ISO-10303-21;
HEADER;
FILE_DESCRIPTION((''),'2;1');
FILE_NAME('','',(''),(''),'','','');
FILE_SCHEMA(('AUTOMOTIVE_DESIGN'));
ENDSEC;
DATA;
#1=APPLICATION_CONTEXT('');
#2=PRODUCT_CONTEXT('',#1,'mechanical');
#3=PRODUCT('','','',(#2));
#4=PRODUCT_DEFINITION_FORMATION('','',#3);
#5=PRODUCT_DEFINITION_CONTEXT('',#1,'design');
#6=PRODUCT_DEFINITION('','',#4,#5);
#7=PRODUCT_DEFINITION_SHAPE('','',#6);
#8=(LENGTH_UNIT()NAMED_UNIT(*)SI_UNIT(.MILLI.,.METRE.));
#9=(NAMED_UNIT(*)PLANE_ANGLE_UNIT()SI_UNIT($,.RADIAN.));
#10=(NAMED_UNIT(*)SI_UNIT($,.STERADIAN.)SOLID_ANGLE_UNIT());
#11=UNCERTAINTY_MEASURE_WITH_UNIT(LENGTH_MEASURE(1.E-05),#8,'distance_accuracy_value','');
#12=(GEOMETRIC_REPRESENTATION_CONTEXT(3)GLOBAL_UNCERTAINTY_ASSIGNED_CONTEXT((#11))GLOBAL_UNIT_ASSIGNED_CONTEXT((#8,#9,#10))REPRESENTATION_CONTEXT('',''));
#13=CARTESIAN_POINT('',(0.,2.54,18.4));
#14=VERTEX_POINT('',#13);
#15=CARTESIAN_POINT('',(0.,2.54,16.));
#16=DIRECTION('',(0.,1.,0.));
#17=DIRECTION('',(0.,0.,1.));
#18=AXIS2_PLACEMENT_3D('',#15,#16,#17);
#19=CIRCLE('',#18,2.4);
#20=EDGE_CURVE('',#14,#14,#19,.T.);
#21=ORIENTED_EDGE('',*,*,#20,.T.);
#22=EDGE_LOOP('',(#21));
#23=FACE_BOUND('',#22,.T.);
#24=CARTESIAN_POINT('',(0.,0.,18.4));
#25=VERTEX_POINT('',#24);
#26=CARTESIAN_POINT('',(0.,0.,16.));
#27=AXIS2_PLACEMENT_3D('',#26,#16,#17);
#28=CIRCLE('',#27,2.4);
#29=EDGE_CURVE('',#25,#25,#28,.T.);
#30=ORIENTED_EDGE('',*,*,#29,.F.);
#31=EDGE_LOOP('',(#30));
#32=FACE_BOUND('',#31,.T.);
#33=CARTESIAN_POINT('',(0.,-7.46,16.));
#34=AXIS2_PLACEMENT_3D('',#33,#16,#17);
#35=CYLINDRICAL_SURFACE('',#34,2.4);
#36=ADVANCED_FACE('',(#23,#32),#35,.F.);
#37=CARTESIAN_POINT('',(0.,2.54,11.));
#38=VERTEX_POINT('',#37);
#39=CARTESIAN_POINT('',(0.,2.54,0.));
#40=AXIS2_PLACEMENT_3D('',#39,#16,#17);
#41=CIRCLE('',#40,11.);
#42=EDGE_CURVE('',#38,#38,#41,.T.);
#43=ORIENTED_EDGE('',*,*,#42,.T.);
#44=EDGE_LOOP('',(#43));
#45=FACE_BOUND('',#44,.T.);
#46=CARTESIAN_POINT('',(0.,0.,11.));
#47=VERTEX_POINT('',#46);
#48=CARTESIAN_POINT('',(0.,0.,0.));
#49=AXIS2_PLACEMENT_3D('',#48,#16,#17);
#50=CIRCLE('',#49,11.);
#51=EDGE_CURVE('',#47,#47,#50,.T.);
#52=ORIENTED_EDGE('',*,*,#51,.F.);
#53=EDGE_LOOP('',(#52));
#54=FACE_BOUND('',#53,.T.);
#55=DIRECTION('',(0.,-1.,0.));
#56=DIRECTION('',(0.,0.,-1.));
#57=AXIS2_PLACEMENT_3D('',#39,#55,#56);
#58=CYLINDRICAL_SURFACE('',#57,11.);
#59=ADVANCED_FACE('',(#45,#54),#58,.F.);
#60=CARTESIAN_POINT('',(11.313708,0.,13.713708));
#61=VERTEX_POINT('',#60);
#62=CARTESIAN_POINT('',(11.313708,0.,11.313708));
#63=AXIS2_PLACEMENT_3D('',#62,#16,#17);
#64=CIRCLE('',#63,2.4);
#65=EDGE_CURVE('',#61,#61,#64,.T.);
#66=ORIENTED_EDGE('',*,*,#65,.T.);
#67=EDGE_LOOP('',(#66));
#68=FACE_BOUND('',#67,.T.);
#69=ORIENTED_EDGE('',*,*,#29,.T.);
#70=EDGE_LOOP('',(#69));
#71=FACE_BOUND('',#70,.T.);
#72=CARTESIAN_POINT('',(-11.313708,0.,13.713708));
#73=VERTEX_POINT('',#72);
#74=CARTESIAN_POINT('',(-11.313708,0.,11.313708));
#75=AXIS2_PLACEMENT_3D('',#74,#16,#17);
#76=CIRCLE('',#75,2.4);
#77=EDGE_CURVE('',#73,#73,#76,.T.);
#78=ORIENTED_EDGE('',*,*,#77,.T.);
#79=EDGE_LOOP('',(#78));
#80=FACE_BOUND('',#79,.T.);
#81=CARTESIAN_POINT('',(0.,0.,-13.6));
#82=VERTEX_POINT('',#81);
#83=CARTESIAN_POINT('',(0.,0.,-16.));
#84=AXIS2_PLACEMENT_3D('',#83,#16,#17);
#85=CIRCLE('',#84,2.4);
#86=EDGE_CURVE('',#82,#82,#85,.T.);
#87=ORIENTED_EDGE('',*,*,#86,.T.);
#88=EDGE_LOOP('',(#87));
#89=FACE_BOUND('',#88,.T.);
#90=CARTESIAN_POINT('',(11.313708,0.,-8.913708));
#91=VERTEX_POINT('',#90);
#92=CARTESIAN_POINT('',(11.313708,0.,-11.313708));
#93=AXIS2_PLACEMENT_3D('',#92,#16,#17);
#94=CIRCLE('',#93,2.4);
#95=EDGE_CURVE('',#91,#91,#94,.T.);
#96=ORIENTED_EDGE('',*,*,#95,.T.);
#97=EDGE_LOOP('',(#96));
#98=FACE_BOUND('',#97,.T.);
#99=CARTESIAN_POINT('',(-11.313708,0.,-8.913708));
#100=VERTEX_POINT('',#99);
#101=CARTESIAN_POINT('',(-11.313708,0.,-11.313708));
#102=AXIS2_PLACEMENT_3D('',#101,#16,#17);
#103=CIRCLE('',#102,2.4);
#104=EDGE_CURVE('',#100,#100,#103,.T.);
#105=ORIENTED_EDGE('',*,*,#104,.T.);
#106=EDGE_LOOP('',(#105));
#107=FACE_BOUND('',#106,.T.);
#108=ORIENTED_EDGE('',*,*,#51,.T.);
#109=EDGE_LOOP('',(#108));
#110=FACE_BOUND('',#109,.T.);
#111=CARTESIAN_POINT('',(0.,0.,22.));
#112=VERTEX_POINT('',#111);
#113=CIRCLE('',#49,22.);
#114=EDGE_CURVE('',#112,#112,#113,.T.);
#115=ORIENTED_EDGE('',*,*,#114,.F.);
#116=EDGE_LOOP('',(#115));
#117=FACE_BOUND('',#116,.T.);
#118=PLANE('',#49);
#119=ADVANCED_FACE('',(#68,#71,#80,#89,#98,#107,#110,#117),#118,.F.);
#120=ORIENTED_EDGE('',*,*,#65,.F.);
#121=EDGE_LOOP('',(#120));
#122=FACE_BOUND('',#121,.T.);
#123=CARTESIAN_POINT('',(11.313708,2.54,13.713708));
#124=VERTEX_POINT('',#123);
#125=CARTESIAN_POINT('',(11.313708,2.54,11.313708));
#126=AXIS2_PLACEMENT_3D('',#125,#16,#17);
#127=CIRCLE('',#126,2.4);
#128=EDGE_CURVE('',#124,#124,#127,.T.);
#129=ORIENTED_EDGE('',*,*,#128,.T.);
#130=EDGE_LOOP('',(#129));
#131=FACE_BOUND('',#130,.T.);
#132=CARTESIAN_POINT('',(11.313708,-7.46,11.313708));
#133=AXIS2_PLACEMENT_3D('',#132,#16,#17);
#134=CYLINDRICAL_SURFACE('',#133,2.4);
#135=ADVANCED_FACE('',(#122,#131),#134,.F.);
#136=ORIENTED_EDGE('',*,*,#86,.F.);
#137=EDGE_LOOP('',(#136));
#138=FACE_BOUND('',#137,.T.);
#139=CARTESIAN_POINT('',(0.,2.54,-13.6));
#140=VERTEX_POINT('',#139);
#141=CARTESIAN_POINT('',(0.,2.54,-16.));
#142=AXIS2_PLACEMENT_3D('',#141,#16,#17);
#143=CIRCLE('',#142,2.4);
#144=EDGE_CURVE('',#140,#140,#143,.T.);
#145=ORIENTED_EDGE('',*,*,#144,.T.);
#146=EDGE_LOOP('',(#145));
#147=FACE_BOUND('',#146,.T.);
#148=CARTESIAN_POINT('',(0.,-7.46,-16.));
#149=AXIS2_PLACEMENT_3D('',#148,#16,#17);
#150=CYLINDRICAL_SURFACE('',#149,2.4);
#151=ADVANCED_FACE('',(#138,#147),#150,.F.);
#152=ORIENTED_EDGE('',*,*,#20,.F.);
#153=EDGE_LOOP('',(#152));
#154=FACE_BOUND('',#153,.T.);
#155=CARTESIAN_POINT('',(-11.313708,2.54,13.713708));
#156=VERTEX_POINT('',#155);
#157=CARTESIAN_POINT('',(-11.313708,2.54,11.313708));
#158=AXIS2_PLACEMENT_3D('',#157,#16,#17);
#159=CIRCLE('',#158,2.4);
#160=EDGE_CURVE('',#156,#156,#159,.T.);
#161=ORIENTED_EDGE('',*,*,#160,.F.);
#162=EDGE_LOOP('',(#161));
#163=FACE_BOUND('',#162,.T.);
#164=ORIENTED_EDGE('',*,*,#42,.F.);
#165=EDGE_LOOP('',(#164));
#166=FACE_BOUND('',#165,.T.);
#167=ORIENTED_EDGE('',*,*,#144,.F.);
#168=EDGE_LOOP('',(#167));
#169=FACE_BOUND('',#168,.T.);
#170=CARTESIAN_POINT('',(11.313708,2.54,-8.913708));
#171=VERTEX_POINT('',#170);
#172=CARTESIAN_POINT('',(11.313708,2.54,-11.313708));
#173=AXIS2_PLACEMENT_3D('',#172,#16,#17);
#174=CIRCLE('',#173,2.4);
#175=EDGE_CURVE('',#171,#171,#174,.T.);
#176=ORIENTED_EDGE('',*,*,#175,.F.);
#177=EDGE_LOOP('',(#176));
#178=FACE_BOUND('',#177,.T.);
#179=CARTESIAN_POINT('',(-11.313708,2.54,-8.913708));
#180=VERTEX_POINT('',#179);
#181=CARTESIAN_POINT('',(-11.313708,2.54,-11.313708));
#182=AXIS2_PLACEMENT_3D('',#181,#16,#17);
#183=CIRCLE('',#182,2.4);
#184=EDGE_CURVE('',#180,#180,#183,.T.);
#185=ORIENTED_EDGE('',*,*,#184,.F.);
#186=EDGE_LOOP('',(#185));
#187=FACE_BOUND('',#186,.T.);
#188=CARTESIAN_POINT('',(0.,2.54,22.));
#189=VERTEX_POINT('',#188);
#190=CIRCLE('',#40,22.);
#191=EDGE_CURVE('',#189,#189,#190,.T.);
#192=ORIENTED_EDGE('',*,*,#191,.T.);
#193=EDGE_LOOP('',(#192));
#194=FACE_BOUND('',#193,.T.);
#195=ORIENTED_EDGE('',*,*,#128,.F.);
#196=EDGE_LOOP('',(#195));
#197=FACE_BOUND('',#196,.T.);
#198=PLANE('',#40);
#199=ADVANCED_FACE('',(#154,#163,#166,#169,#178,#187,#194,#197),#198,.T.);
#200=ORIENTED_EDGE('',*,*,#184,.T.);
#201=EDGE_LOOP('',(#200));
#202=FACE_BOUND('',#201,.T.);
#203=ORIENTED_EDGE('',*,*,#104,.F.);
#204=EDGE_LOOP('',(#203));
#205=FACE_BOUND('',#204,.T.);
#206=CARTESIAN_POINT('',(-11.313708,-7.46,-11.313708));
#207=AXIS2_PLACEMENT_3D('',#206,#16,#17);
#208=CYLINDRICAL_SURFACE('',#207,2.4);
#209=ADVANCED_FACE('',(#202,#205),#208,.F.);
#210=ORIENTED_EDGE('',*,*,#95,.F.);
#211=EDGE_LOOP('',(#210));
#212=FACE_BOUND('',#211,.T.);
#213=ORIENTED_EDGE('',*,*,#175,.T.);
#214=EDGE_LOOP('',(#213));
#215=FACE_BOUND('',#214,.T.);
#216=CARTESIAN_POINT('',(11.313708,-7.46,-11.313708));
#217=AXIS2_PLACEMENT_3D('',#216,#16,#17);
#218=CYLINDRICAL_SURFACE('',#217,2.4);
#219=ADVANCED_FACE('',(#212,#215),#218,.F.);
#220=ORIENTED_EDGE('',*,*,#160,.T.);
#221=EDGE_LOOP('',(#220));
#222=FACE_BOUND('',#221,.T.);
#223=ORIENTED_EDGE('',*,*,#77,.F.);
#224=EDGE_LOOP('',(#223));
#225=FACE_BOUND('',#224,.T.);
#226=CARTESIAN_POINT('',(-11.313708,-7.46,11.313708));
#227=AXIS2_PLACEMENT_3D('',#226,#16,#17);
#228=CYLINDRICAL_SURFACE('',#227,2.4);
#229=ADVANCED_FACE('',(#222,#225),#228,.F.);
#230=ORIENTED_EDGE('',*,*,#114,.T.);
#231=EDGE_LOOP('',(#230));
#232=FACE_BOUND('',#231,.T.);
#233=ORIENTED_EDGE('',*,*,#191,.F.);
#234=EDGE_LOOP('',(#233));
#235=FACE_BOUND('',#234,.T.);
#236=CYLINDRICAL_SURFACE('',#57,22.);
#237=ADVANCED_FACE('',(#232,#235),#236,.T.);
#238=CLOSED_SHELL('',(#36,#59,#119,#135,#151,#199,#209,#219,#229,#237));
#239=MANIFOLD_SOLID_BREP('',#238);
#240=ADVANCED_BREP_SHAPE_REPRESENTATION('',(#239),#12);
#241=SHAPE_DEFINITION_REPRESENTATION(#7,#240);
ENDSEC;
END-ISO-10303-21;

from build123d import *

# Parameters (mm, degrees)
SKETCH1_R           = 22
SKETCH1_R_2         = 11
BOSS_EXTRUDE1_DEPTH = 2.54
SKETCH2_R           = 2.4
CUT_EXTRUDE1_DEPTH  = 10


with BuildPart() as part:
    # Sketch1 → Boss-Extrude1 (new body)
    with BuildSketch(Plane(origin=(0, 0, 0), x_dir=(1, 0, 0), z_dir=(0, 1, 0))):
        with Locations(Location((0, 0, 0), (0, 0, 270))):
            Circle(SKETCH1_R)
        with Locations(Location((0, 0, 0), (0, 0, 270))):
            Circle(SKETCH1_R_2, mode=Mode.SUBTRACT)
    extrude(amount=BOSS_EXTRUDE1_DEPTH)

    # Sketch2 → Cut-Extrude1 (cut)
    with BuildSketch(Plane(origin=(0, 2.54, 0), x_dir=(1, 0, 0), z_dir=(0, 1, 0))):
        with Locations(Location((0, 16, 0), (0, 0, 270))):
            Circle(SKETCH2_R)
        with Locations(Location((-11.313708499, 11.313708499, 0), (0, 0, 270))):
            Circle(SKETCH2_R)
        with Locations(Location((11.313708499, 11.313708499, 0), (0, 0, 270))):
            Circle(SKETCH2_R)
        with Locations(Location((11.313708499, -11.313708499, 0), (0, 0, 270))):
            Circle(SKETCH2_R)
        with Locations(Location((0, -16, 0), (0, 0, 270))):
            Circle(SKETCH2_R)
        with Locations(Location((-11.313708499, -11.313708499, 0), (0, 0, 270))):
            Circle(SKETCH2_R)
    extrude(amount=-CUT_EXTRUDE1_DEPTH, mode=Mode.SUBTRACT)


solid = part.part
